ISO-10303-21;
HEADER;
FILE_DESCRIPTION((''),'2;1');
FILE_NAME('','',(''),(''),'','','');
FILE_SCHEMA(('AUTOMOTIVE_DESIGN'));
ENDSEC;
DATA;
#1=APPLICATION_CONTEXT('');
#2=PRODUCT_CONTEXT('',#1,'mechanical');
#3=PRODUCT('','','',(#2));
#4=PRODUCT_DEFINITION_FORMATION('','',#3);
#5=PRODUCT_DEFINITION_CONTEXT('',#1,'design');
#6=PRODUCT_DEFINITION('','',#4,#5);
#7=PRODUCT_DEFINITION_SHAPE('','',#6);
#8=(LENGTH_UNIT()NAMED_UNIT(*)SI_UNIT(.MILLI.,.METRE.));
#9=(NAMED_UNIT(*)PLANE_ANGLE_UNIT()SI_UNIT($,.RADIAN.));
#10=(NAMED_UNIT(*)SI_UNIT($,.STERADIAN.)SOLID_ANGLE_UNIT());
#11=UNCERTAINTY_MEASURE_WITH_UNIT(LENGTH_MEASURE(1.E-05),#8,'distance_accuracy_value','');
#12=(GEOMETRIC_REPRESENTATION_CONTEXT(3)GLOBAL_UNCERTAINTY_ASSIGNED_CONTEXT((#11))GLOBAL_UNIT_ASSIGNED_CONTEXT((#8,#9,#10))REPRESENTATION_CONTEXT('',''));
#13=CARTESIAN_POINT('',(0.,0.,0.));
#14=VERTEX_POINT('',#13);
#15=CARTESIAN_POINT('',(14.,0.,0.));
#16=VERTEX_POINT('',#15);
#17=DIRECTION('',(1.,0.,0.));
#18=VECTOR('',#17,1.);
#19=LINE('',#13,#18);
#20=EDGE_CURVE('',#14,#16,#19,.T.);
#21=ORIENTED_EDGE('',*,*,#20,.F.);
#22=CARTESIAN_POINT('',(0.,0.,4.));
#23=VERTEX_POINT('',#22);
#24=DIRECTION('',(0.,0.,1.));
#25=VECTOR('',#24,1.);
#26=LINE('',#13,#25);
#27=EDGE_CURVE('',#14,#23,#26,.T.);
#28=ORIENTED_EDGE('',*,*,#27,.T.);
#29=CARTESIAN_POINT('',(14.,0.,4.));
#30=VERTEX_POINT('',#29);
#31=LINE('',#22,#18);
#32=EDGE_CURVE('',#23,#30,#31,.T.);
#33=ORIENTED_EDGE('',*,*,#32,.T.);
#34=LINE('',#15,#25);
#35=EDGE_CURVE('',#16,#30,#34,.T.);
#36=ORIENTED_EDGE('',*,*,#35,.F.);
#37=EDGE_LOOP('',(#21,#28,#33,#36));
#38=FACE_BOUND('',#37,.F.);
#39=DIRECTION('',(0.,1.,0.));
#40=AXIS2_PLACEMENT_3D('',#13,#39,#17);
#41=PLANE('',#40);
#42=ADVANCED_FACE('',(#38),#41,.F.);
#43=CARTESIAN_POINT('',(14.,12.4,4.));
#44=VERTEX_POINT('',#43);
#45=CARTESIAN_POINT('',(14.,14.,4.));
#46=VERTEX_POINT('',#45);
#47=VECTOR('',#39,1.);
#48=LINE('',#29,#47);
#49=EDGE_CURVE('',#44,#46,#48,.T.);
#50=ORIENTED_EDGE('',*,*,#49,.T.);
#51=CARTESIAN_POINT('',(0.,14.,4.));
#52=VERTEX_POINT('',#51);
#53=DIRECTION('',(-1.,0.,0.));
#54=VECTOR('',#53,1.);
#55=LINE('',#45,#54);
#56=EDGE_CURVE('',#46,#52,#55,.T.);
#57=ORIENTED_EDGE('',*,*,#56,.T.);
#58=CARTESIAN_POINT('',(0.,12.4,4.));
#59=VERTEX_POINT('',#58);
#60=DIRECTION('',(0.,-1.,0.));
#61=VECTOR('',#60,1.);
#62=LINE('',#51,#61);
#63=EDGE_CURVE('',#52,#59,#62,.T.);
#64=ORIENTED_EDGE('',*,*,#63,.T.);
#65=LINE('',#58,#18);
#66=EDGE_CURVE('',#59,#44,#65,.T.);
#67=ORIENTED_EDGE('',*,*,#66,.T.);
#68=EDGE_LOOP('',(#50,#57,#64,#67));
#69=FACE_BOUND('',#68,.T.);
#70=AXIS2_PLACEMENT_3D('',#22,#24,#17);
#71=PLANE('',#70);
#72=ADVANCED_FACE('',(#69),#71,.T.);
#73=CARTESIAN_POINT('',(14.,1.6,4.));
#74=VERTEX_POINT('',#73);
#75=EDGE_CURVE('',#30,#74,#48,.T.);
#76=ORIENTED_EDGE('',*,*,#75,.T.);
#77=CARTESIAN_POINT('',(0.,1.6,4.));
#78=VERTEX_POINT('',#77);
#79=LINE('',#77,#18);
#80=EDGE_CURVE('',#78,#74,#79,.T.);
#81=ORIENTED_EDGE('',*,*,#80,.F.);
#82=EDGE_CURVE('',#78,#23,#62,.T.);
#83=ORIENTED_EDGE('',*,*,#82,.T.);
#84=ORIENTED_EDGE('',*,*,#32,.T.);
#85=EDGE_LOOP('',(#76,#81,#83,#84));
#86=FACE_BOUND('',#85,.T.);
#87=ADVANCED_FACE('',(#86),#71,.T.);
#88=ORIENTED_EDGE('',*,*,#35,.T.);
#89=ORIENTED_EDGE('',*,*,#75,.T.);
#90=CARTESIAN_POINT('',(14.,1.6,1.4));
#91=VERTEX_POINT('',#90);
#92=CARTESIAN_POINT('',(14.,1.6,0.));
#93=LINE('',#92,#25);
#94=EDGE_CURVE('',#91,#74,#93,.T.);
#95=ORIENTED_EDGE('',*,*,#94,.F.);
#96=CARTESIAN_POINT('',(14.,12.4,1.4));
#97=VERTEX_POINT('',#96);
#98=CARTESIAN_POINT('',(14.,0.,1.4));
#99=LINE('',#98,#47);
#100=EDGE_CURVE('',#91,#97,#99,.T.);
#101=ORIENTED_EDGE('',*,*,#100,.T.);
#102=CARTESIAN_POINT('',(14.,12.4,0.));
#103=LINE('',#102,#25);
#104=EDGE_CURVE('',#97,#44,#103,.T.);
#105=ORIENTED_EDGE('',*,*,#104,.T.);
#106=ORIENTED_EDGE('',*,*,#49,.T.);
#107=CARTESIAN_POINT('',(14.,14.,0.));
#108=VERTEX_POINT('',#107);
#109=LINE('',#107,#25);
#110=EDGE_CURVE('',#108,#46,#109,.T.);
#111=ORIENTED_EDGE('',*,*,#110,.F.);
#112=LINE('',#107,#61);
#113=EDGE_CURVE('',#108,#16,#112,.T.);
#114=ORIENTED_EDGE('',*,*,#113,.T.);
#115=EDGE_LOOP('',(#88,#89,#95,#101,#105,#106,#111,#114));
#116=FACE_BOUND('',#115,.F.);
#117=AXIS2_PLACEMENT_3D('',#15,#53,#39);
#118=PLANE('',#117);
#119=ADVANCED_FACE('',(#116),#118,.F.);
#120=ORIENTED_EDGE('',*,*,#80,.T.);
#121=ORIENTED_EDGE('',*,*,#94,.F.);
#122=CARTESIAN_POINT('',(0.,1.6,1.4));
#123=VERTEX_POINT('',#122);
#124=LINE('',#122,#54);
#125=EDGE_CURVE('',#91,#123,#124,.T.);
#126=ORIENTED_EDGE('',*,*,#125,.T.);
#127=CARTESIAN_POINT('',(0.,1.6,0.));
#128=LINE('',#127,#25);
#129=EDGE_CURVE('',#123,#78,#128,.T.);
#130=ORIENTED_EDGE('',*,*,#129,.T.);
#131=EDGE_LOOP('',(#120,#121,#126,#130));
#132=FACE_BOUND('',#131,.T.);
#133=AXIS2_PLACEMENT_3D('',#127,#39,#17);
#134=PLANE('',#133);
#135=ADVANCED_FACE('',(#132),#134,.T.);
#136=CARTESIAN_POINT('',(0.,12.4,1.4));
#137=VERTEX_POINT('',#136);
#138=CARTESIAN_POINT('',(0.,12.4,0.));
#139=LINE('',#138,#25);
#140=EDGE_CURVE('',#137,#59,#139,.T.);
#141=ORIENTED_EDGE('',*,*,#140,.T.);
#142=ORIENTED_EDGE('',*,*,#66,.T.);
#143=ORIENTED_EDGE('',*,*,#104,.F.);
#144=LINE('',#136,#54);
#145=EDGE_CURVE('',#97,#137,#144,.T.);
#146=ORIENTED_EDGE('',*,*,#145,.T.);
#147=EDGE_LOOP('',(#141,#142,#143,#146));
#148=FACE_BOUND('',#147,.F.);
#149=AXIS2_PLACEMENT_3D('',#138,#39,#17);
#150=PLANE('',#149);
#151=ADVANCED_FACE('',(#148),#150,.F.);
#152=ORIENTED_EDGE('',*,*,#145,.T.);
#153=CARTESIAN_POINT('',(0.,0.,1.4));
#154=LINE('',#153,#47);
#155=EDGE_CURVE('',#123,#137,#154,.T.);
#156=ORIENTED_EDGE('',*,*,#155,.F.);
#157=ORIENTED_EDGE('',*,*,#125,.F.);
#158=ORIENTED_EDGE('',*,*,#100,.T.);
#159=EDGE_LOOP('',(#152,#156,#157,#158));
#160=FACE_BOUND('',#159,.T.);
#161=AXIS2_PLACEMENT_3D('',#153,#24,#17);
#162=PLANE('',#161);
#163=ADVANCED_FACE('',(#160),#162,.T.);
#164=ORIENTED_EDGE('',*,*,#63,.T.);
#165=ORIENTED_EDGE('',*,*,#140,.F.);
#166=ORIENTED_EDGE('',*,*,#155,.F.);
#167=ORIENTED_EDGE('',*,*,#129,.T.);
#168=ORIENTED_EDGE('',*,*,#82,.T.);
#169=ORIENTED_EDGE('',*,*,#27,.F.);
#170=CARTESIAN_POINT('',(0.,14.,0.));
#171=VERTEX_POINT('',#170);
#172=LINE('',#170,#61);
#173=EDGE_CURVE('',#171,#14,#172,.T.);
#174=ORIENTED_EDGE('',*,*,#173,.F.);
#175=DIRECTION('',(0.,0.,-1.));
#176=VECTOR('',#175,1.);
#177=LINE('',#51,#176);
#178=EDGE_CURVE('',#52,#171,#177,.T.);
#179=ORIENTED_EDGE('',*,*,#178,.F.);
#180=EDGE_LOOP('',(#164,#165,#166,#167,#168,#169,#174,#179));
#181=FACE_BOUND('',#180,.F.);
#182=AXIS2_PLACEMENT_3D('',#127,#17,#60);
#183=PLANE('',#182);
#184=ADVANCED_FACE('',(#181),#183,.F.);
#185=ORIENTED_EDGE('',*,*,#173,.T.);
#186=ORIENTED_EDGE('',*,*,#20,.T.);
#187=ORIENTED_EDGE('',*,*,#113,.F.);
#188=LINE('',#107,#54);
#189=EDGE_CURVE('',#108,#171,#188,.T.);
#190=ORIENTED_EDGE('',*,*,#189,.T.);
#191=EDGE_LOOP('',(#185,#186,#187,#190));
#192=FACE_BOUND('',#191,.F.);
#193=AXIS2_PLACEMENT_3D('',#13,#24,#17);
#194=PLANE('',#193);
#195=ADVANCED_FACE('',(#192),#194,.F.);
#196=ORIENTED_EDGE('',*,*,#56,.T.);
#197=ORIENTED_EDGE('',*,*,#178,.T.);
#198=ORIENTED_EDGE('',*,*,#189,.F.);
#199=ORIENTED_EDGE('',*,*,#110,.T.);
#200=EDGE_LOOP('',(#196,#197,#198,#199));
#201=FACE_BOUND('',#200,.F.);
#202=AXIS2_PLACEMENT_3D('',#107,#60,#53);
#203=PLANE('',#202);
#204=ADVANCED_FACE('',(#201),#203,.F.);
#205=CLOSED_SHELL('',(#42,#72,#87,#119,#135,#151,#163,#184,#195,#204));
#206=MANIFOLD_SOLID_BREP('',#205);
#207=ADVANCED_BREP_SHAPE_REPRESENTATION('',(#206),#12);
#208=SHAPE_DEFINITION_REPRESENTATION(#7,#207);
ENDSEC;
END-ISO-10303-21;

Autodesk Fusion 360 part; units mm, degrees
sketch "Sketch1" plane through (0, 0, 0) normal (0, 0, 1) x (1, 0, 0)
  line L0 (0, 0) -> (14, 0)
  line L1 (14, 0) -> (14, 14)
  line L2 (14, 14) -> (0, 14)
  line L3 (0, 14) -> (0, 0)
  line L4 (0, 12.4) -> (14, 12.4)
  line L5 (0, 1.6) -> (14, 1.6)
  dimension "d1" = 14
  dimension "d2" = 14
  dimension "d3" = 1.6
  dimension "d4" = 1.6
extrude "Extrude1" add sketch "Sketch1" along normal blind 1.4
extrude "Extrude2" add sketch "Sketch1" along normal blind 4 contours L0 L1 L3 L5 | L1 L2 L3 L4
